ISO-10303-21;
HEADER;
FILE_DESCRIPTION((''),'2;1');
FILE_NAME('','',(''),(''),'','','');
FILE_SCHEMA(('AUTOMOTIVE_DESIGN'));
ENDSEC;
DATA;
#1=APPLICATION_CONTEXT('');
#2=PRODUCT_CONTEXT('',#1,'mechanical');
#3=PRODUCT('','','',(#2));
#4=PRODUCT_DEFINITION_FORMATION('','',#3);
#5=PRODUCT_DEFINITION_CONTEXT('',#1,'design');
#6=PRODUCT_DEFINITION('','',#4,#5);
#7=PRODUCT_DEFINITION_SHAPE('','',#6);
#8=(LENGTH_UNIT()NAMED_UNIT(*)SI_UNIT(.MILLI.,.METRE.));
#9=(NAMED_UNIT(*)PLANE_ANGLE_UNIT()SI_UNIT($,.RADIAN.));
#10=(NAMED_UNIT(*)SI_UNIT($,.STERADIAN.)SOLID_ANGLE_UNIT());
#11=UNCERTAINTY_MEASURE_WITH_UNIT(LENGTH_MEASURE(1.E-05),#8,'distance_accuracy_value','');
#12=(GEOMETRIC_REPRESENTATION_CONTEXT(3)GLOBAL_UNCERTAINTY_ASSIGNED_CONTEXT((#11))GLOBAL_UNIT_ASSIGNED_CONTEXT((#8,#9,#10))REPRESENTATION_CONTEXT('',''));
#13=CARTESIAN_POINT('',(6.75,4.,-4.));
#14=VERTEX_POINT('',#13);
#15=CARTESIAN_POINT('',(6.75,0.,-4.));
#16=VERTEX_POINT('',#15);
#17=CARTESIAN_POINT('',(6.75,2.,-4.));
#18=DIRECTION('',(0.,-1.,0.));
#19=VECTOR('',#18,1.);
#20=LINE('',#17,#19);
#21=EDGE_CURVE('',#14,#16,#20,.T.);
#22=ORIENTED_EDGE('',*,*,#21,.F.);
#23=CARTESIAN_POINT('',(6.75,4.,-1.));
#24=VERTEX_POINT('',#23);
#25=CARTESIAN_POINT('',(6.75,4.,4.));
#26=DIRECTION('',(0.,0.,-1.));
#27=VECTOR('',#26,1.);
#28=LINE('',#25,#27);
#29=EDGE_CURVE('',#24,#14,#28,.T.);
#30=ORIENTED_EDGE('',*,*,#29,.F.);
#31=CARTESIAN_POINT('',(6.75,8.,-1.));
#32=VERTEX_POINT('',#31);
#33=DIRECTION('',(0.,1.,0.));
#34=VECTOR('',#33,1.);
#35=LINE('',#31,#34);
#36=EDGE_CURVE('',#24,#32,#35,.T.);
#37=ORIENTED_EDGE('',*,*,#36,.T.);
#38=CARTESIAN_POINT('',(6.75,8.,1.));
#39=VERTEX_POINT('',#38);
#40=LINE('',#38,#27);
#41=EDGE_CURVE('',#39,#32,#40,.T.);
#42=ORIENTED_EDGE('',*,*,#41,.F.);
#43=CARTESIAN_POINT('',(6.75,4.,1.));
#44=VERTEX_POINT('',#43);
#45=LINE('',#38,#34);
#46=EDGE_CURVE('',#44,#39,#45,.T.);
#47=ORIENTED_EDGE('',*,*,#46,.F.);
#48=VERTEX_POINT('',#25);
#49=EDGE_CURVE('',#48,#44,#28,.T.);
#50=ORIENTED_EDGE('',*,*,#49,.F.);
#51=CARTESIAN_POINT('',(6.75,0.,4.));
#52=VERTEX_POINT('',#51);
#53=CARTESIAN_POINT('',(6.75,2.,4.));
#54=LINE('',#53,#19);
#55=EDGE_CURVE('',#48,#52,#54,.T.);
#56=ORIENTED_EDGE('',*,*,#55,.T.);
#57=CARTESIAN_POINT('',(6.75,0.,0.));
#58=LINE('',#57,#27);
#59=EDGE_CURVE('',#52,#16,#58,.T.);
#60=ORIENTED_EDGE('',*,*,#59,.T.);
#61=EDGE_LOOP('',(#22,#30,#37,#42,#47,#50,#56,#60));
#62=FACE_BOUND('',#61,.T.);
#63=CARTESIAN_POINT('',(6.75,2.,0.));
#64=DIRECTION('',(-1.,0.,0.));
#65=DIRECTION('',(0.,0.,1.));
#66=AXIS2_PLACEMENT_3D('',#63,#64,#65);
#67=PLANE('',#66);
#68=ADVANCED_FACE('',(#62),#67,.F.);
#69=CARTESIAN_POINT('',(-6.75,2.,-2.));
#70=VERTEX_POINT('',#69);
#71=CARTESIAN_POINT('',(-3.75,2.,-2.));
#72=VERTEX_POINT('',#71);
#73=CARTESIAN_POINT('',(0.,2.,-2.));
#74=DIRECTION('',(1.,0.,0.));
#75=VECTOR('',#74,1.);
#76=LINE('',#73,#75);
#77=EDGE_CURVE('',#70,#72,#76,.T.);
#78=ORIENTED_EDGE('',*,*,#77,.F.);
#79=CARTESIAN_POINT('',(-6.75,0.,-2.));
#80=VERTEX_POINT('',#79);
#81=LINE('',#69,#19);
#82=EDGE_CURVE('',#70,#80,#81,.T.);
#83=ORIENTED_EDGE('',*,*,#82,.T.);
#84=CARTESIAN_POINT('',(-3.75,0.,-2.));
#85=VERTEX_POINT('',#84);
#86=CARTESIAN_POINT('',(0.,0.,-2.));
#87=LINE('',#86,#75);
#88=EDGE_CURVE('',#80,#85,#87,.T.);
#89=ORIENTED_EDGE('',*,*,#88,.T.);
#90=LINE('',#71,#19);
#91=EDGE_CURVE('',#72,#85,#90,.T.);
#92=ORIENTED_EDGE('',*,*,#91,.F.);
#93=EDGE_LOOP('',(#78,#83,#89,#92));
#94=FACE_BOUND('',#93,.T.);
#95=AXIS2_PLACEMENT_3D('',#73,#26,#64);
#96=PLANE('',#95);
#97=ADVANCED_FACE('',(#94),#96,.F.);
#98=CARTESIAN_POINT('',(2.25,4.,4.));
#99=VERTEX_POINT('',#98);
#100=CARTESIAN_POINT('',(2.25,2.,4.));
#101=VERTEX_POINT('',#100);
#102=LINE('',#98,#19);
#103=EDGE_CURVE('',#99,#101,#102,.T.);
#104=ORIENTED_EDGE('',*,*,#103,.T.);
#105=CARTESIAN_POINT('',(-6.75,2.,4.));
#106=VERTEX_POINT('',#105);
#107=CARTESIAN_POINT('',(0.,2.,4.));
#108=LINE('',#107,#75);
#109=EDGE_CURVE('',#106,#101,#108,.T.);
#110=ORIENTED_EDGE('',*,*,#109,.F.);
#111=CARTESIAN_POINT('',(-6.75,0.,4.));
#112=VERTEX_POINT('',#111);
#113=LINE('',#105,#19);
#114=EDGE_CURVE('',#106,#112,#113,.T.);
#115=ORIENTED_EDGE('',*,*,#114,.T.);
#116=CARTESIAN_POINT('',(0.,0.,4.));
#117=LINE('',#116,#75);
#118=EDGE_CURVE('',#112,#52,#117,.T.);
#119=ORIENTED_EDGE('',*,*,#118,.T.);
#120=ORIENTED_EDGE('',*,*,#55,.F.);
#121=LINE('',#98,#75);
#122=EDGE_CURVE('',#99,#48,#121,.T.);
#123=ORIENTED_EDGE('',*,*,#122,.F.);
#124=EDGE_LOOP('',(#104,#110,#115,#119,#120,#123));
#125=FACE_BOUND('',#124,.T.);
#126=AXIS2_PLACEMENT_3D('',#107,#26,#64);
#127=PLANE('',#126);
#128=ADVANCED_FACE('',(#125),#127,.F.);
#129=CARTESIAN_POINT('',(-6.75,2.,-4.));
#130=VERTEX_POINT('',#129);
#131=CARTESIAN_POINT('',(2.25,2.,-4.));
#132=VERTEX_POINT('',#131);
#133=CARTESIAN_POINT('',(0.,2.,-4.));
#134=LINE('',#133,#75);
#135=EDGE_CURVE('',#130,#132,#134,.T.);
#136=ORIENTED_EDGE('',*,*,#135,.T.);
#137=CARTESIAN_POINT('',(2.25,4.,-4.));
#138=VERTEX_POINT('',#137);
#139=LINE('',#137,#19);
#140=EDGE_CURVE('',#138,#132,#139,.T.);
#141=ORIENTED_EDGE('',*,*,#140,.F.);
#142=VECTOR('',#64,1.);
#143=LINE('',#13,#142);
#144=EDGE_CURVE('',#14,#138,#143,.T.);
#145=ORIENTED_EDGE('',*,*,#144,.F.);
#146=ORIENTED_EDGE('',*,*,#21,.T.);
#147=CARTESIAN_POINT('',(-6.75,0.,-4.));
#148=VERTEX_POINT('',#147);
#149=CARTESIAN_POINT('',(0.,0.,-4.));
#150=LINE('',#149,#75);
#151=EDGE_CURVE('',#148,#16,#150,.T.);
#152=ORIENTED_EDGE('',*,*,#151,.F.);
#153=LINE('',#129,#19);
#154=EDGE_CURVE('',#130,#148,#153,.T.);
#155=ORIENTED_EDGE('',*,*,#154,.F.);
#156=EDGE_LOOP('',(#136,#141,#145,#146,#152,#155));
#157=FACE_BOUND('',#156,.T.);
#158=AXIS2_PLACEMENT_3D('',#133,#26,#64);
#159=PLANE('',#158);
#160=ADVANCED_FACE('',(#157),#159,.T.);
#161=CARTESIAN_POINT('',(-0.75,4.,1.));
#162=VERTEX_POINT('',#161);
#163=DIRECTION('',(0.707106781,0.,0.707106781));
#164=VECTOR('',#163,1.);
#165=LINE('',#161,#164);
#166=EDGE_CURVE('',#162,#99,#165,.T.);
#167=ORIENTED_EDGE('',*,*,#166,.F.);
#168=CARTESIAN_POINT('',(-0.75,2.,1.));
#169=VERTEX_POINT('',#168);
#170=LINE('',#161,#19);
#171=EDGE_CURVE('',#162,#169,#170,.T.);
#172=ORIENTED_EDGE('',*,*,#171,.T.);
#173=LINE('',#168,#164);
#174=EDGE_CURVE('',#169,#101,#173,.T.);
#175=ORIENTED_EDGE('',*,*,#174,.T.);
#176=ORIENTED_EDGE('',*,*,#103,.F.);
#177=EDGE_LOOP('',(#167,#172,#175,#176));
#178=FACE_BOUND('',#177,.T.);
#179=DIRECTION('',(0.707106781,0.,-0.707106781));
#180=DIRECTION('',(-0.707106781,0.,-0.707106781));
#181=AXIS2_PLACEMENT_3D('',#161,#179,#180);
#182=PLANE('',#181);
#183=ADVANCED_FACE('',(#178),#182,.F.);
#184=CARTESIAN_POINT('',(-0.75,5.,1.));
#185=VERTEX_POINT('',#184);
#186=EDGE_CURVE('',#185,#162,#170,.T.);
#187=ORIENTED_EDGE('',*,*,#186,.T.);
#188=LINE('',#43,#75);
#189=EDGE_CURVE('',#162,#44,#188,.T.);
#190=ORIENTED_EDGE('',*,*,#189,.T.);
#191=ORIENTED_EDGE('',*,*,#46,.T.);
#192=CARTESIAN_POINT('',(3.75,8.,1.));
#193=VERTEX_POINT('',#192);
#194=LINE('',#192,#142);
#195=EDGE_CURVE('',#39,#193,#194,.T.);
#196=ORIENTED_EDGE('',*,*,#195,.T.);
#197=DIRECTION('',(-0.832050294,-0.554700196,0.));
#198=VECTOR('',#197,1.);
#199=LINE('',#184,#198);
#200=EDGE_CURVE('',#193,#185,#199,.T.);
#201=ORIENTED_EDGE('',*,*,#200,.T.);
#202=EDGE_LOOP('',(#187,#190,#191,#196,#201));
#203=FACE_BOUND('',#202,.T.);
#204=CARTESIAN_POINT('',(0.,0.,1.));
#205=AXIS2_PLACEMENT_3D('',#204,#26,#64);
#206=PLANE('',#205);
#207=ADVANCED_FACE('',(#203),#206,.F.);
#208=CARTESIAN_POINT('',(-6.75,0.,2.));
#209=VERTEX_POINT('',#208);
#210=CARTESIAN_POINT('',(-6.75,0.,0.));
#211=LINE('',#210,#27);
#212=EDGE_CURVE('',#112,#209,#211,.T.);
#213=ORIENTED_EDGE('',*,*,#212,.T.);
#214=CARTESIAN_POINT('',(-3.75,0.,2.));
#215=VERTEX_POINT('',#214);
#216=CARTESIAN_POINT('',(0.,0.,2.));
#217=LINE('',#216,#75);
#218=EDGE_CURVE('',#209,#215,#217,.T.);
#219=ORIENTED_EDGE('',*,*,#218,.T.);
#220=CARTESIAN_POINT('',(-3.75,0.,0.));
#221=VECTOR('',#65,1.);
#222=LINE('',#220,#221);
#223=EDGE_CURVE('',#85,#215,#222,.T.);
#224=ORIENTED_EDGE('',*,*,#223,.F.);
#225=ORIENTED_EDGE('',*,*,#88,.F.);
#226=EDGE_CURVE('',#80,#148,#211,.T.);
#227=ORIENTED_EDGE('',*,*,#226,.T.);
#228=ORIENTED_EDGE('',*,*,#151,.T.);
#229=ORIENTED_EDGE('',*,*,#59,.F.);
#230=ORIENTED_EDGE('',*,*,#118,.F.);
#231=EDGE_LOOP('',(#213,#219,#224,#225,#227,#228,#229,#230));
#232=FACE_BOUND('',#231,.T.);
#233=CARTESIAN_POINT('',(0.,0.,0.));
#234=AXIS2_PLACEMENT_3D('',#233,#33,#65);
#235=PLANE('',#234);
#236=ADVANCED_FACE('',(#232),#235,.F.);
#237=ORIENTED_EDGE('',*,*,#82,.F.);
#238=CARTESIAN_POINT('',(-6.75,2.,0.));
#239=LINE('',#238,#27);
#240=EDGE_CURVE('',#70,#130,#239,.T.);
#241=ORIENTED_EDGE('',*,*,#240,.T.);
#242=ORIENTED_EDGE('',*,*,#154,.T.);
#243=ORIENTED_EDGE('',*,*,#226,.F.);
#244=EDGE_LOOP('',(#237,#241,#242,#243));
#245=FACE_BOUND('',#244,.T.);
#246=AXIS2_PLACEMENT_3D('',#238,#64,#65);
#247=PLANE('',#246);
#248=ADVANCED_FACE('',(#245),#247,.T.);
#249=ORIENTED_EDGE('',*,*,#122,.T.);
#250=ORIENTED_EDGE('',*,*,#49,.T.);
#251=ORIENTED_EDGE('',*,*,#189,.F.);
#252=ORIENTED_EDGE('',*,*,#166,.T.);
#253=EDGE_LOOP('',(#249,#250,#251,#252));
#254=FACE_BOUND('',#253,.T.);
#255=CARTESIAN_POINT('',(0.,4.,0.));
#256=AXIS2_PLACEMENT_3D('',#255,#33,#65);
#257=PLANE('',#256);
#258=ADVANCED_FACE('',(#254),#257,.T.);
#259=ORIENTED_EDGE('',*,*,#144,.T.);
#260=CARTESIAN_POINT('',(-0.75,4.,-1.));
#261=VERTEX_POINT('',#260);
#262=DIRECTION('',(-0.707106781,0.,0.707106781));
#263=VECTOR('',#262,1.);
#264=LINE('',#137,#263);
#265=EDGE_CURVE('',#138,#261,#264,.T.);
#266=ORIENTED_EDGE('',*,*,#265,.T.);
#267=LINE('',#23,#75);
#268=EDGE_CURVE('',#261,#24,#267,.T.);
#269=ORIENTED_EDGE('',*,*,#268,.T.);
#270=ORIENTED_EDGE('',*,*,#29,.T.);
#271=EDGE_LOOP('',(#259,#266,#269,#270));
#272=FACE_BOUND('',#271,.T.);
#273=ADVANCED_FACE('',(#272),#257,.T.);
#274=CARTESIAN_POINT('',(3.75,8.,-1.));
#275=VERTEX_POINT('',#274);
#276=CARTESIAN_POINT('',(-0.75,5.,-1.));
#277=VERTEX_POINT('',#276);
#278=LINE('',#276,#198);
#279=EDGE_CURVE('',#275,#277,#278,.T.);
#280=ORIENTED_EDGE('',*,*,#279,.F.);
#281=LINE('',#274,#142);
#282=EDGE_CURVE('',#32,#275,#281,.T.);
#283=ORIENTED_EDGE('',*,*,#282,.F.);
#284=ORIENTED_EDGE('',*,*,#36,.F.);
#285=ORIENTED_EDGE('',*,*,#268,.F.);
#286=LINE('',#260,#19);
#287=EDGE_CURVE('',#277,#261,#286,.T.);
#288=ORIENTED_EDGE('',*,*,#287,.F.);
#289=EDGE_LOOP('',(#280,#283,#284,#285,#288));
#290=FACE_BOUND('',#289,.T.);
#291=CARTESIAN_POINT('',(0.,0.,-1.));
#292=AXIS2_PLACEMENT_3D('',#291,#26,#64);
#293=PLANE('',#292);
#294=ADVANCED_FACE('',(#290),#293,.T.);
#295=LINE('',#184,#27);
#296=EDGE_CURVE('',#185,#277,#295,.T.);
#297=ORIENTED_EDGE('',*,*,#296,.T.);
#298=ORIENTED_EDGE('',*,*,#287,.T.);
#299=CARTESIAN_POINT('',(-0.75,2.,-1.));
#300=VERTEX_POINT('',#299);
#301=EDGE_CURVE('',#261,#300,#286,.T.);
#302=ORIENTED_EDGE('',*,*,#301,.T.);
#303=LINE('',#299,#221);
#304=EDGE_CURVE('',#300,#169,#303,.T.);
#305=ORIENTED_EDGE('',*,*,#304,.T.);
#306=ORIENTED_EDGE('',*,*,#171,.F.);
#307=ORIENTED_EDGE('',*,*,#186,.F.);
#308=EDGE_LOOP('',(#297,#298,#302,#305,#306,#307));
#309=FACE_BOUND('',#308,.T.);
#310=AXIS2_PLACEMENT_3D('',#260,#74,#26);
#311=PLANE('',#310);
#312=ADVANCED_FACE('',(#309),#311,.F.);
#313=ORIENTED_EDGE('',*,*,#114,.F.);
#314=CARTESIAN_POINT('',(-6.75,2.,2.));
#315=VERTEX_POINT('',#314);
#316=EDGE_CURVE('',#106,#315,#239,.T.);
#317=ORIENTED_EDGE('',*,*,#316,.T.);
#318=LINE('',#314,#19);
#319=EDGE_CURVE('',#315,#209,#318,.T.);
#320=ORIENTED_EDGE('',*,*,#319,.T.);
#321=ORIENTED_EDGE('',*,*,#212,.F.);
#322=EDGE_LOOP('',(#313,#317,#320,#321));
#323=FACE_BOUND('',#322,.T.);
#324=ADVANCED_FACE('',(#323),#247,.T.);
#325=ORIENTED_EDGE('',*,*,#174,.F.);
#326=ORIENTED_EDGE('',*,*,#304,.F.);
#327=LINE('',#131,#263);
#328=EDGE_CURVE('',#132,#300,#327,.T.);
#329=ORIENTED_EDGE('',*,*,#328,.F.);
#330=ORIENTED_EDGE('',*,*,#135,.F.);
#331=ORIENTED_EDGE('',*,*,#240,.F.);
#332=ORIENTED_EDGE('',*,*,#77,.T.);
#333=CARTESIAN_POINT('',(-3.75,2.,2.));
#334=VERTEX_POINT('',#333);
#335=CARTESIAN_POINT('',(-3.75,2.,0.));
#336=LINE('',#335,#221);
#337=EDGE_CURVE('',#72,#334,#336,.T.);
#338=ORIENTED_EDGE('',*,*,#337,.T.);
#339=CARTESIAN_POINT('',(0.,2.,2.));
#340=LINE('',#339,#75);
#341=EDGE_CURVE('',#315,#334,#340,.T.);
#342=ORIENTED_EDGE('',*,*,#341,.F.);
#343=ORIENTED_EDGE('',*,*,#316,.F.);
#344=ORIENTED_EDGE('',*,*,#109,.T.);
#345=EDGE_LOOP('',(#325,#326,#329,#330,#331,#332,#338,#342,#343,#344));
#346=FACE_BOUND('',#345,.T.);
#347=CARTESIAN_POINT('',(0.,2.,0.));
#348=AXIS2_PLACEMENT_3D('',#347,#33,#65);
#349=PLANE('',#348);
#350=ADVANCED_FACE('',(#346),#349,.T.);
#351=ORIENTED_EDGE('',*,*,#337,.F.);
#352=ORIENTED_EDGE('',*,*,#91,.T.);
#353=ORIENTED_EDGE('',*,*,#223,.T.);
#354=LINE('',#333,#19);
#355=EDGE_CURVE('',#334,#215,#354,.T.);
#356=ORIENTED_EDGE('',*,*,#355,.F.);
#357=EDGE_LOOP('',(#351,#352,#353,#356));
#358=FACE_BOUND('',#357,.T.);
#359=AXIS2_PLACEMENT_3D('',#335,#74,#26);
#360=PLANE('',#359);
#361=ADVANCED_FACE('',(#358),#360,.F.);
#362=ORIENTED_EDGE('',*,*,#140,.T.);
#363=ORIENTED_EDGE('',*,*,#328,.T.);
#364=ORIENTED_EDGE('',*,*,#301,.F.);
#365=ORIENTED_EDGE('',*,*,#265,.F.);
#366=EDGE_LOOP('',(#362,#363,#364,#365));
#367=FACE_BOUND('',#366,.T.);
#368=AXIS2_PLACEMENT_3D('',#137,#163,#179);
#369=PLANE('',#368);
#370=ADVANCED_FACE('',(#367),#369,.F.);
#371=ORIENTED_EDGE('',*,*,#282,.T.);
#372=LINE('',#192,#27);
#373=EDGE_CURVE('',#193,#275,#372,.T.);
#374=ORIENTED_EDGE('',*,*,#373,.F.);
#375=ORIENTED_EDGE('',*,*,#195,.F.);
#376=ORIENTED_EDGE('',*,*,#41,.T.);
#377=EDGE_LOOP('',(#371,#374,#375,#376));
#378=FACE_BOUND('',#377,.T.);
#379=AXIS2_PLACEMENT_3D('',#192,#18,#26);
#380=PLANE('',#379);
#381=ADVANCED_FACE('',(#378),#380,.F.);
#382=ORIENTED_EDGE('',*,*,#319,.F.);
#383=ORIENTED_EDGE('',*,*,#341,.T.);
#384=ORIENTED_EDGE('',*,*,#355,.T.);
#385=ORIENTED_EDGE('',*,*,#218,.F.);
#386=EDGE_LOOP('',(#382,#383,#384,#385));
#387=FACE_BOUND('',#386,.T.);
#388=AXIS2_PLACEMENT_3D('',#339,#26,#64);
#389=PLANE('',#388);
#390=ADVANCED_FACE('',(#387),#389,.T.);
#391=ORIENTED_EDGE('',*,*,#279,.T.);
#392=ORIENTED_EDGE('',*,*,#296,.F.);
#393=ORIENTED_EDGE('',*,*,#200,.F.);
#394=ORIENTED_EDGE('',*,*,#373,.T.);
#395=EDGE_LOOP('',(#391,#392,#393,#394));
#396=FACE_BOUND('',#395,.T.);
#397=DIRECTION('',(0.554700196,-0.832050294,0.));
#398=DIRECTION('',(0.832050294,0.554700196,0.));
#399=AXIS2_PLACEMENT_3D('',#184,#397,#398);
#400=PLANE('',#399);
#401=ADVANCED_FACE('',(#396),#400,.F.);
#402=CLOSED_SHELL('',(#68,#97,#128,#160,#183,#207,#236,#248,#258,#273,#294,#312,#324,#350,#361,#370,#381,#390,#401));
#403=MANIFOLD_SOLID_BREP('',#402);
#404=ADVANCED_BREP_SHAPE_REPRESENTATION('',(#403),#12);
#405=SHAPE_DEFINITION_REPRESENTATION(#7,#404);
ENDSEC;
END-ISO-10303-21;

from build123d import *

# Parameters (mm, degrees)
BOSS_EXTRUDE1_DEPTH = 2
BOSS_EXTRUDE2_DEPTH = 2
BOSS_EXTRUDE3_DEPTH = 1


with BuildPart() as part:
    # Sketch2 → Boss-Extrude1 (new body)
    with BuildSketch(Plane(origin=(0, 0, 0), x_dir=(1, 0, 0), z_dir=(0, 1, 0))):
        Polygon((-6.75, -2), (-6.75, -4), (6.75, -4), (6.75, 4), (-6.75, 4), (-6.75, 2), (-3.75, 2), (-3.75, -2), align=None)
    extrude(amount=BOSS_EXTRUDE1_DEPTH)

    # Sketch3 → Boss-Extrude2 (add)
    with BuildSketch(Plane(origin=(0, 2, 0), x_dir=(1, 0, 0), z_dir=(0, 1, 0))):
        Polygon((6.75, 4), (2.25, 4), (-0.75, 1), (-0.75, -1), (2.25, -4), (6.75, -4), align=None)
    extrude(amount=BOSS_EXTRUDE2_DEPTH)

    # Sketch5 → Boss-Extrude3 (add, symmetric)
    with BuildSketch(Plane.XY):
        Polygon((3.75, 8), (6.75, 8), (6.75, 4), (-0.75, 4), (-0.75, 5), align=None)
    extrude(amount=BOSS_EXTRUDE3_DEPTH, both=True)


solid = part.part
